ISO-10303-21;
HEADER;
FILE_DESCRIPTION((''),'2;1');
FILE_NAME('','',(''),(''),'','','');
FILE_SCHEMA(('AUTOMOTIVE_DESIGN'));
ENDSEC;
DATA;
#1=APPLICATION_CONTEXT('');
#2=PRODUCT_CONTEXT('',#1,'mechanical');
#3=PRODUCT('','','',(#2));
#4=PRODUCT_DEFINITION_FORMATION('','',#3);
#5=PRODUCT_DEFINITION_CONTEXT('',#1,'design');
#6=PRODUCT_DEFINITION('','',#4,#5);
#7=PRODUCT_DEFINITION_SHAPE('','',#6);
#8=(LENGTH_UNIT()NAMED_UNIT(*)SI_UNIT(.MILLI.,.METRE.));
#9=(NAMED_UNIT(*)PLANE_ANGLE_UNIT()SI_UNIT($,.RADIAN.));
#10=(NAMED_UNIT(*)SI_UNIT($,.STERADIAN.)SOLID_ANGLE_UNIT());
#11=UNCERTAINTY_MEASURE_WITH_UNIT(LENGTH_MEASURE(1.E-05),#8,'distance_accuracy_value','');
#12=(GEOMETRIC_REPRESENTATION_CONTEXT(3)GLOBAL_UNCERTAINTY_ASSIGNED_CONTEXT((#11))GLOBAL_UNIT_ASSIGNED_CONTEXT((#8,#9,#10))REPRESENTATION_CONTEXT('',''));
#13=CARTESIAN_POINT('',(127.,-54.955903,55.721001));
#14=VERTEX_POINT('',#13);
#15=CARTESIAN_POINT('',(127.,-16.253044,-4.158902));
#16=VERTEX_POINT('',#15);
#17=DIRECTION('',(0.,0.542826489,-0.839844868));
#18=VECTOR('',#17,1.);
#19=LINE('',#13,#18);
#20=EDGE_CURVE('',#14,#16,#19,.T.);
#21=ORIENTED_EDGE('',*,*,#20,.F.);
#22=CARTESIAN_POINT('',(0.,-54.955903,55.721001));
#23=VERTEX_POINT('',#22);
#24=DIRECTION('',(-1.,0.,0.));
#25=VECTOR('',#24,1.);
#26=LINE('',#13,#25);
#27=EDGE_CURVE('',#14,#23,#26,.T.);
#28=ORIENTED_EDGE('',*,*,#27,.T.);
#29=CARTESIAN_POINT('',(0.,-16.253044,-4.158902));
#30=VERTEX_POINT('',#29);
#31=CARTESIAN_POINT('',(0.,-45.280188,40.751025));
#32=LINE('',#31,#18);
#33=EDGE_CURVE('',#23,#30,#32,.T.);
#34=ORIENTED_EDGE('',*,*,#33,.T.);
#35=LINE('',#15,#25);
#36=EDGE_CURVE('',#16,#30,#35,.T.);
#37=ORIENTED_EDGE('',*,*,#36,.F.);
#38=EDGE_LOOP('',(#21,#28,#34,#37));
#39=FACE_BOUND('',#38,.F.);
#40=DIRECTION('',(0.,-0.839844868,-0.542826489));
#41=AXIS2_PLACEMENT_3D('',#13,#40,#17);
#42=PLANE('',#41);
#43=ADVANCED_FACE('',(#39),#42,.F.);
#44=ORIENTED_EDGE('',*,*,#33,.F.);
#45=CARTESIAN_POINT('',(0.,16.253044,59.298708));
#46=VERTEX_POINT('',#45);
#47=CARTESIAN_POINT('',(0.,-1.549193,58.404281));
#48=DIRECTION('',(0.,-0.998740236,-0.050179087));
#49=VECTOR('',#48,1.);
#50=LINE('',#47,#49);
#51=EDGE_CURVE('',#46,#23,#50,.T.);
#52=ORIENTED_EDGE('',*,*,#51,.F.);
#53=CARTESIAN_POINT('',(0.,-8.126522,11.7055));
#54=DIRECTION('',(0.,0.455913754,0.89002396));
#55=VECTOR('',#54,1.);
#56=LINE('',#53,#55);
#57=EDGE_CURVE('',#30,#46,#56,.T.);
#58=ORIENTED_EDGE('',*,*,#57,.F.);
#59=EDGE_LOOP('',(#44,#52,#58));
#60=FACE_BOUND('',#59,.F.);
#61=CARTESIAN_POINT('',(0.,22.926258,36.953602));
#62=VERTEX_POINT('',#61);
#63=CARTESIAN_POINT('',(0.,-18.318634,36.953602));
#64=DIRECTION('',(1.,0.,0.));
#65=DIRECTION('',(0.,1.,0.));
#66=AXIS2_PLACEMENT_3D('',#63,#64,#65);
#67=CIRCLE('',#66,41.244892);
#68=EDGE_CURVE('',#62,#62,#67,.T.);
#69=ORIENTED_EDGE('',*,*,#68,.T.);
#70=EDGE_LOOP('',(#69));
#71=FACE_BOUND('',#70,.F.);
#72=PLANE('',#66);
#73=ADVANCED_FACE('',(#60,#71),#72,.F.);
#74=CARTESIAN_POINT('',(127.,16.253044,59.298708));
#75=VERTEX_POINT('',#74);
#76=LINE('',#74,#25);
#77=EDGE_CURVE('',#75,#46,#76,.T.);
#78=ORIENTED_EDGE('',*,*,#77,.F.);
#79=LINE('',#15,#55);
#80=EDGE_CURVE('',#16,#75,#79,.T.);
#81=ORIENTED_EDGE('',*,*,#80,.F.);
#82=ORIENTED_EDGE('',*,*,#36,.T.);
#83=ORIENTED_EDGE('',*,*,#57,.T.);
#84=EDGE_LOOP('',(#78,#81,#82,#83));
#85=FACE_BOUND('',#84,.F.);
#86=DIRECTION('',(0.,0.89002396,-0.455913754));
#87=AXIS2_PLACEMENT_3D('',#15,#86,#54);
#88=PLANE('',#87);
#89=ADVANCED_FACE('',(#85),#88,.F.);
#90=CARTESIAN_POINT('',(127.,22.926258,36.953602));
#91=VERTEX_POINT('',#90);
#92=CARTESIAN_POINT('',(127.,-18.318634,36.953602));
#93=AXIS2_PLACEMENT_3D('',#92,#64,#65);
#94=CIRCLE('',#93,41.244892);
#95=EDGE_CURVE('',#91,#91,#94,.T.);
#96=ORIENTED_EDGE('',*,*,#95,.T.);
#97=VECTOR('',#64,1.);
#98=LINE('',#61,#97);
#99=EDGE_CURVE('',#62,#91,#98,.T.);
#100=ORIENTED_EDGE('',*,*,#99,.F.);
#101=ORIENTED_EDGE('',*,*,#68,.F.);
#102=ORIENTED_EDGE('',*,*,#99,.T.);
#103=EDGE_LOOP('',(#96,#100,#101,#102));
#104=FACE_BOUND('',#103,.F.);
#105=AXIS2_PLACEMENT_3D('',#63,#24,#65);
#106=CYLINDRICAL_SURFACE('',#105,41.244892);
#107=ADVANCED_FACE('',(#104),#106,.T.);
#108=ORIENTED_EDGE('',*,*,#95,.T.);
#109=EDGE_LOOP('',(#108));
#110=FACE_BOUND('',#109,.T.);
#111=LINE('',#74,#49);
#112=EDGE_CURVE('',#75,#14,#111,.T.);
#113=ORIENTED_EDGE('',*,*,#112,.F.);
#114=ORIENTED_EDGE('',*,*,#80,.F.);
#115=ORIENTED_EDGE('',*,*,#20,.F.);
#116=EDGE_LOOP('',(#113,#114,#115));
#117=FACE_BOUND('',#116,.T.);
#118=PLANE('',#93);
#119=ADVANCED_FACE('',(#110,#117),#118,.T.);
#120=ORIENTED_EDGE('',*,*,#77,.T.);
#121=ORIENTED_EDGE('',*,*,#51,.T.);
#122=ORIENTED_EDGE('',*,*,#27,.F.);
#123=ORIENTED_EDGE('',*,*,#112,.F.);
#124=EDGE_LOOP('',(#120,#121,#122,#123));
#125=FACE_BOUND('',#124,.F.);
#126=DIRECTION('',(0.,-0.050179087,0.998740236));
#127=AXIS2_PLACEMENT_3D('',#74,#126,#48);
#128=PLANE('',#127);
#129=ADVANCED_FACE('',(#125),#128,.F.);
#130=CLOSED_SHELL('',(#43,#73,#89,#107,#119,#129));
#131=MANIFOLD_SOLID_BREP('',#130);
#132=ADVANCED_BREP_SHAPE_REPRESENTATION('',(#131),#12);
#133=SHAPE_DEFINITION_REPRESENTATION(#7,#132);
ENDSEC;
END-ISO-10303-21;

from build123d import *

# Parameters (mm, degrees)
F0_R     = 41.244892
F1_DEPTH = 127
F3_DEPTH = 193.548


with BuildPart() as f1:
    # F0 (on Right) → F1 (new body)
    with BuildSketch(Plane.YZ):
        with Locations((-18.318634, 36.953602)):
            Circle(F0_R)
    extrude(amount=F1_DEPTH)

    # F2 (on face) → F3 (cut)
    with BuildSketch(Plane.YZ.offset(127)):
        Polygon((-16.253044, -4.158902), (16.253044, 59.298708), (-54.955903, 55.721001), align=None)
    extrude(amount=-F3_DEPTH, mode=Mode.SUBTRACT)


solid = f1.part
